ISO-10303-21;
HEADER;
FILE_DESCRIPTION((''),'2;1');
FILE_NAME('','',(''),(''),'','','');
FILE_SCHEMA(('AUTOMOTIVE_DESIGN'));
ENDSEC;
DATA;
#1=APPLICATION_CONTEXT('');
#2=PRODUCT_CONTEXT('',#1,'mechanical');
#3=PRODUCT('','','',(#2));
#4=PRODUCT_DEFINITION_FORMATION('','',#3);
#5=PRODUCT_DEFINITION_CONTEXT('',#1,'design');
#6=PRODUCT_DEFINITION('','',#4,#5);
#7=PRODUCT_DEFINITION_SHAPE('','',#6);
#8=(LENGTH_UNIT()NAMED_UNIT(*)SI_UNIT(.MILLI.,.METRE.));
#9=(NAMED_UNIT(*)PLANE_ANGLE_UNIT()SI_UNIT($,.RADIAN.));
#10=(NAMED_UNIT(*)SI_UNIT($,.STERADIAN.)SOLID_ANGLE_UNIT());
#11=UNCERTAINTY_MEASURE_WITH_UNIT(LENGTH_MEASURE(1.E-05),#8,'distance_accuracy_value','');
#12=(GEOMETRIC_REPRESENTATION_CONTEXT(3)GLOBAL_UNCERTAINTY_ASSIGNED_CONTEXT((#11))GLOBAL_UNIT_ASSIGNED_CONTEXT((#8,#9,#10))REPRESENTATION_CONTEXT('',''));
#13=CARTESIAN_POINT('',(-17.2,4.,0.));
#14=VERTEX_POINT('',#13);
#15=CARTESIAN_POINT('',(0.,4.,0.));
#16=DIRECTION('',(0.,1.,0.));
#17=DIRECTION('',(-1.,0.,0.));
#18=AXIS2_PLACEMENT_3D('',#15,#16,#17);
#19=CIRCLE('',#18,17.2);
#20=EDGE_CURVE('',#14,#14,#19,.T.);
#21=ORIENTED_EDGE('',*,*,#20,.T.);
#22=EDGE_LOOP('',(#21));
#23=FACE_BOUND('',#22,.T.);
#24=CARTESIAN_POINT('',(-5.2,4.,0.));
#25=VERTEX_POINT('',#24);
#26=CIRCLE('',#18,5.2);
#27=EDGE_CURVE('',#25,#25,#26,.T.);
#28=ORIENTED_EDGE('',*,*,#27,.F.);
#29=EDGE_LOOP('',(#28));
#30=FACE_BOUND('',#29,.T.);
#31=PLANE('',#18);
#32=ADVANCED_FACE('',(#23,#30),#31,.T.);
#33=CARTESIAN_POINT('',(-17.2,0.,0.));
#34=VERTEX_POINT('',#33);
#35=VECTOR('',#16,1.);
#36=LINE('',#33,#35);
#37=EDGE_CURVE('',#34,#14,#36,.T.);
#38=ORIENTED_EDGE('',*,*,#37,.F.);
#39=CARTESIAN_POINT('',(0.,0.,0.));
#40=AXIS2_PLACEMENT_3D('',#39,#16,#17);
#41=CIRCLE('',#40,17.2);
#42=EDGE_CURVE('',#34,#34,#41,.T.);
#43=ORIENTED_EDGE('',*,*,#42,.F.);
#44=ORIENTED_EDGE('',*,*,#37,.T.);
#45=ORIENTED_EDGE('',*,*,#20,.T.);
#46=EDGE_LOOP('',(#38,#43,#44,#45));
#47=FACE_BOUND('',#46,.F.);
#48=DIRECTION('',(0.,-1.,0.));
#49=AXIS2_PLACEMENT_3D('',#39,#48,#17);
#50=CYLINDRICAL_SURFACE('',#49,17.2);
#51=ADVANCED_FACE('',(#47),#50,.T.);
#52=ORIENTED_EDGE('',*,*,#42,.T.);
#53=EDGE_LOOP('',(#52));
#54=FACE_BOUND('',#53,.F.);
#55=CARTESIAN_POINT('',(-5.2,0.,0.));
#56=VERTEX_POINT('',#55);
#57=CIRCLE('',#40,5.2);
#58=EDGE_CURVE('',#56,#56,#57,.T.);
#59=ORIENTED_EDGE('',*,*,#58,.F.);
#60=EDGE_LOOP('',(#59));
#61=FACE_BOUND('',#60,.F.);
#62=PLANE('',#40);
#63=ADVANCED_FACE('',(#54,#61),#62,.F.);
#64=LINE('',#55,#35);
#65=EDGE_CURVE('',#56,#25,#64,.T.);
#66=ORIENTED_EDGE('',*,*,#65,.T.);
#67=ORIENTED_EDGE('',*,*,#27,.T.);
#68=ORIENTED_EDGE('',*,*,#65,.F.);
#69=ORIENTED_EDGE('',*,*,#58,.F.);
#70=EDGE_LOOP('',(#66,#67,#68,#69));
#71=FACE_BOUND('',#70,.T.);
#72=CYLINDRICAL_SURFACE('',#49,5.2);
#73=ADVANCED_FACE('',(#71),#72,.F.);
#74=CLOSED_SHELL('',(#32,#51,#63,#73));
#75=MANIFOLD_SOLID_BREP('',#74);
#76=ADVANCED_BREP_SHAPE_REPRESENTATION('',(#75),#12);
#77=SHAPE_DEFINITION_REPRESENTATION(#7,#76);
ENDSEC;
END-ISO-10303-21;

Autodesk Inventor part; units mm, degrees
ref_plane "YZ Plane" through (0, 0, 0) normal (1, 0, 0) x (0, 1, 0)
ref_plane "XZ Plane" through (0, 0, 0) normal (0, 1, 0) x (-1, 0, 0)
ref_plane "XY Plane" through (0, 0, 0) normal (0, 0, 1) x (1, 0, 0)
sketch "Sketch1" plane through (0, 0, 0) normal (0, 1, 0) x (-1, 0, 0)
  circle A0 centre (0, 0) radius 1.55
  circle A1 centre (0, 0) radius 5
  circle A2 centre (0, 0) radius 5.2
  circle A3 centre (0, 0) radius 17.2
  dimension "d0" = 3.1
  dimension "d1" = 10
  dimension "d4" = 0.2
  dimension "d5" = 12
extrude "Extrusion1" add sketch "Sketch1" along normal blind 4 contours A3
properties part number "Horizontal_bar_spacer_small_template"
